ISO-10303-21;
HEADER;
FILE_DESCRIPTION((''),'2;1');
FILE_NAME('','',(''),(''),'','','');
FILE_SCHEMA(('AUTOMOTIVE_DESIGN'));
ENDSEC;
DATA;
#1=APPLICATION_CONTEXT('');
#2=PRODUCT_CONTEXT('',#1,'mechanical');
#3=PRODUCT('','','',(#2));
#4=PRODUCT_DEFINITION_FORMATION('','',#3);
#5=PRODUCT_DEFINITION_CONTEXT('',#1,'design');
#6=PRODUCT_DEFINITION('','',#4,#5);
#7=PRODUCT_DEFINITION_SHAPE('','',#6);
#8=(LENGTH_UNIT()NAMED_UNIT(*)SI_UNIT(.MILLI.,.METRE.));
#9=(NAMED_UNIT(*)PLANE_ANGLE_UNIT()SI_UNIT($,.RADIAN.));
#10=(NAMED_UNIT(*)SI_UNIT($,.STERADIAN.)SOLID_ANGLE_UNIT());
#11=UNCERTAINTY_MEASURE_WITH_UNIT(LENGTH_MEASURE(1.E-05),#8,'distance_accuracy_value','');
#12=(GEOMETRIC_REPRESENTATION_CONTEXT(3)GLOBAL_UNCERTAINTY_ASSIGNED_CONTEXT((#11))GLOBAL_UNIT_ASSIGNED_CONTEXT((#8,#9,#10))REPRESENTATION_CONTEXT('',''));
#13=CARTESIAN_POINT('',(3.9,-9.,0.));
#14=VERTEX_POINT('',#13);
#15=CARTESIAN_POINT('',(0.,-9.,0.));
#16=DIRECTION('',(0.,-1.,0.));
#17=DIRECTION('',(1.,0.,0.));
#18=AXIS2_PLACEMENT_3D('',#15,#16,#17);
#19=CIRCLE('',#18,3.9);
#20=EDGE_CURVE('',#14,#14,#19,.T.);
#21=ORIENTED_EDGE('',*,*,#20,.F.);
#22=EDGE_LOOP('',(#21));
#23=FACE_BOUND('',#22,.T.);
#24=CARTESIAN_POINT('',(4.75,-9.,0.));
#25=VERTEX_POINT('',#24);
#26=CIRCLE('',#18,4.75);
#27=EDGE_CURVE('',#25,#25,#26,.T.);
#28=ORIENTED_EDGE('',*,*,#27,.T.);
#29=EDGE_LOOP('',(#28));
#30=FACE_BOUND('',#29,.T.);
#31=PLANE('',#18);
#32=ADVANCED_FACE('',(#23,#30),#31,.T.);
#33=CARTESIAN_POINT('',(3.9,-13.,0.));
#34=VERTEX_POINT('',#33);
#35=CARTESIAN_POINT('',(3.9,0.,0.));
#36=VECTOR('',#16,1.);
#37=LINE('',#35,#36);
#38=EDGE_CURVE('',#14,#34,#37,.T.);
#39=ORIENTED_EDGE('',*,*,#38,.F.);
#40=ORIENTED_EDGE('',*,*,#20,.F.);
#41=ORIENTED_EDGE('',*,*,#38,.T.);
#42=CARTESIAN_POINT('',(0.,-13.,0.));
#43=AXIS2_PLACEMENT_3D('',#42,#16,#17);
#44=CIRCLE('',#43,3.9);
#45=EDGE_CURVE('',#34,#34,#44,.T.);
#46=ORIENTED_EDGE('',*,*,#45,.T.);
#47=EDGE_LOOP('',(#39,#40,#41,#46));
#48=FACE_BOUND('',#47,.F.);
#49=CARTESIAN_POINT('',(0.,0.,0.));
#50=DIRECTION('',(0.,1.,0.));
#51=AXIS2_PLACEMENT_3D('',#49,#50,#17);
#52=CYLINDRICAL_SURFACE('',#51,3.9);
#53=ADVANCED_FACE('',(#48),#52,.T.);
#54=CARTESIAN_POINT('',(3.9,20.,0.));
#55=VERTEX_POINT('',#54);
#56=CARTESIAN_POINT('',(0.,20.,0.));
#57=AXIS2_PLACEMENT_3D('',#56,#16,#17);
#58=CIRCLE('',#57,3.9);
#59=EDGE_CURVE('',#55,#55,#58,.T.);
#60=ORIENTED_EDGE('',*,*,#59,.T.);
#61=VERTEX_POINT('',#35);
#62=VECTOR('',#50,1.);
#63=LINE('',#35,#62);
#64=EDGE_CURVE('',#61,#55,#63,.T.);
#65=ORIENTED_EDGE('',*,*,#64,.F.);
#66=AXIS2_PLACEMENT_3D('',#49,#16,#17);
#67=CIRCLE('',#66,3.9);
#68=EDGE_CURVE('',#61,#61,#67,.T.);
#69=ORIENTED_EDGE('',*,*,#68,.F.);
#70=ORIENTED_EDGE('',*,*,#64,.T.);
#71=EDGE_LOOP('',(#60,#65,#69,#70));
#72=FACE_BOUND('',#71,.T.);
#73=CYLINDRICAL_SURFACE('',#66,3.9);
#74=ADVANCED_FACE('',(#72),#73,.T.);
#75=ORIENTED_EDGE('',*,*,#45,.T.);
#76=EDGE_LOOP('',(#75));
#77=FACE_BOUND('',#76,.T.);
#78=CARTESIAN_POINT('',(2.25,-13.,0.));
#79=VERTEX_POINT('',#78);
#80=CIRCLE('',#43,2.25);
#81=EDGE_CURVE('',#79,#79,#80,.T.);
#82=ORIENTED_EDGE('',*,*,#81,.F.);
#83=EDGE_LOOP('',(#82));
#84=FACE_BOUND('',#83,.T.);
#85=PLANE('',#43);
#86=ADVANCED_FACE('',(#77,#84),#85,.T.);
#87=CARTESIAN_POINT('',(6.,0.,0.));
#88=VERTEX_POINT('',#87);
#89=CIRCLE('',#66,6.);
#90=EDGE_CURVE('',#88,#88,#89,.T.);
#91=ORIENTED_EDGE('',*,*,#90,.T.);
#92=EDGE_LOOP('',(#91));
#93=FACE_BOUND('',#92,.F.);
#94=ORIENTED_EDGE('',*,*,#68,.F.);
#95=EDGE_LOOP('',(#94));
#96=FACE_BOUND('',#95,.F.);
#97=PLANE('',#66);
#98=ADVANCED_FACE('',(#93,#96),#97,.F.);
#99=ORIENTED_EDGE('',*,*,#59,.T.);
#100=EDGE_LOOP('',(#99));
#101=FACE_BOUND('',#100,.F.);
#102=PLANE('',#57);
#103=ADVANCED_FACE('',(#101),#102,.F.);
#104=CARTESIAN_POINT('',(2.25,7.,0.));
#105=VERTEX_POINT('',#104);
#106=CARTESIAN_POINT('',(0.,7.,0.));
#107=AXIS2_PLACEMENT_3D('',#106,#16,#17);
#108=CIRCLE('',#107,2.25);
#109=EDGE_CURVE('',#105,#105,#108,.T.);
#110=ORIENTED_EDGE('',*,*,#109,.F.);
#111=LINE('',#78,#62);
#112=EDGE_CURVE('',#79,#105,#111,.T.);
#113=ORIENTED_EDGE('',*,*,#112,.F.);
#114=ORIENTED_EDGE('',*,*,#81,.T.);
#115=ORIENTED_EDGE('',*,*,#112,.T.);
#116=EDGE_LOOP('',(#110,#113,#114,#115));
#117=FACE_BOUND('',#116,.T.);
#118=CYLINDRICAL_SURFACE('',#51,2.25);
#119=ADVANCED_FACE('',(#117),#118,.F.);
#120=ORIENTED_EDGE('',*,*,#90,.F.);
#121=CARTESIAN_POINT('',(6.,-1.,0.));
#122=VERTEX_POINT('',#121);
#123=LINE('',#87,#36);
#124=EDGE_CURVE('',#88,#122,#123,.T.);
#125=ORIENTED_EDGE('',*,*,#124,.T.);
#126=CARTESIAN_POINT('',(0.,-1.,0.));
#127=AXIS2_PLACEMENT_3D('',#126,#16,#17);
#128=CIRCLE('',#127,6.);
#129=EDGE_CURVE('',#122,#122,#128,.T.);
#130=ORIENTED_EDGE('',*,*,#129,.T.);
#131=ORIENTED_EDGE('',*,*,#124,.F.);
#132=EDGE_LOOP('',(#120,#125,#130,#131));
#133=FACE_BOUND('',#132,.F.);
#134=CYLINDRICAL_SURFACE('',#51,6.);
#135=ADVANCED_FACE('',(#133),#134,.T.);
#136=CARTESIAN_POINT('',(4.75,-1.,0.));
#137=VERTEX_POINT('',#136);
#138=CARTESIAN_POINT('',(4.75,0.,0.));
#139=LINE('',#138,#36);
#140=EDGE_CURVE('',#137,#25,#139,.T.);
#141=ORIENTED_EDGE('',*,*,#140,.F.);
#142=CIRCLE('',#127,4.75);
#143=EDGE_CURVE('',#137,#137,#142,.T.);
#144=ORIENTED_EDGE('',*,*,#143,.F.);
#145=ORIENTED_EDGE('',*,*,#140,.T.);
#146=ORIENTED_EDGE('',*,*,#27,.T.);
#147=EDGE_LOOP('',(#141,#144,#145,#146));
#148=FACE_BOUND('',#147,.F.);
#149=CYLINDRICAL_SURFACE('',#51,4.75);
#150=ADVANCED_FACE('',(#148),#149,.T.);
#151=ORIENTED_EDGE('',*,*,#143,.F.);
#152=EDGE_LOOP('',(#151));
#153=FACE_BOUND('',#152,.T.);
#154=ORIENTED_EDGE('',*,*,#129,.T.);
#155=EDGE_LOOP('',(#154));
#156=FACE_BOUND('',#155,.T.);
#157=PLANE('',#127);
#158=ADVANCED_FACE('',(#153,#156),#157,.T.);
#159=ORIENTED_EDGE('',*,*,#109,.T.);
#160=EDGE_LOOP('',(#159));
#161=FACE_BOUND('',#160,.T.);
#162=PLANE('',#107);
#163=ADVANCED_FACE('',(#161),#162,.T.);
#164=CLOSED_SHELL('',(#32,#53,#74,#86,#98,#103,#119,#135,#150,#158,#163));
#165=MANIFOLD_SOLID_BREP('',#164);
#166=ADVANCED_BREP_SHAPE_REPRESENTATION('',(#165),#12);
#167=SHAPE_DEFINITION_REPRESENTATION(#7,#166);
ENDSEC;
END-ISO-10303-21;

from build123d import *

# Parameters (mm, degrees)
F0_R     = 3.9
F0_R_2   = 2.25
F1_DEPTH = 13
F0_R_3   = 4.75
F3_DEPTH = 9
F0_R_4   = 6
F4_DEPTH = 1
F5_DEPTH = 20
F6_DEPTH = 7


with BuildPart() as f1:
    # F0 (on Front) → F1 (new body)
    with BuildSketch(Plane.XZ):
        Circle(F0_R)
        Circle(F0_R_2, mode=Mode.SUBTRACT)
    extrude(amount=F1_DEPTH)

    # F0 (on Front) → F3 (join)
    with BuildSketch(Plane.XZ):
        Circle(F0_R_3)
        Circle(F0_R, mode=Mode.SUBTRACT)
    extrude(amount=F3_DEPTH)

    # F0 (on Front) → F4 (join)
    with BuildSketch(Plane.XZ):
        Circle(F0_R_4)
        Circle(F0_R_3, mode=Mode.SUBTRACT)
    extrude(amount=F4_DEPTH)

    # F0 (on Front) → F5 (join)
    with BuildSketch(Plane.XZ):
        Circle(F0_R)
        Circle(F0_R_2, mode=Mode.SUBTRACT)
        Circle(F0_R_2)
    extrude(amount=-F5_DEPTH)

    # F0 (on Front) → F6 (cut)
    with BuildSketch(Plane.XZ):
        Circle(F0_R_2)
    extrude(amount=-F6_DEPTH, mode=Mode.SUBTRACT)


solid = f1.part
